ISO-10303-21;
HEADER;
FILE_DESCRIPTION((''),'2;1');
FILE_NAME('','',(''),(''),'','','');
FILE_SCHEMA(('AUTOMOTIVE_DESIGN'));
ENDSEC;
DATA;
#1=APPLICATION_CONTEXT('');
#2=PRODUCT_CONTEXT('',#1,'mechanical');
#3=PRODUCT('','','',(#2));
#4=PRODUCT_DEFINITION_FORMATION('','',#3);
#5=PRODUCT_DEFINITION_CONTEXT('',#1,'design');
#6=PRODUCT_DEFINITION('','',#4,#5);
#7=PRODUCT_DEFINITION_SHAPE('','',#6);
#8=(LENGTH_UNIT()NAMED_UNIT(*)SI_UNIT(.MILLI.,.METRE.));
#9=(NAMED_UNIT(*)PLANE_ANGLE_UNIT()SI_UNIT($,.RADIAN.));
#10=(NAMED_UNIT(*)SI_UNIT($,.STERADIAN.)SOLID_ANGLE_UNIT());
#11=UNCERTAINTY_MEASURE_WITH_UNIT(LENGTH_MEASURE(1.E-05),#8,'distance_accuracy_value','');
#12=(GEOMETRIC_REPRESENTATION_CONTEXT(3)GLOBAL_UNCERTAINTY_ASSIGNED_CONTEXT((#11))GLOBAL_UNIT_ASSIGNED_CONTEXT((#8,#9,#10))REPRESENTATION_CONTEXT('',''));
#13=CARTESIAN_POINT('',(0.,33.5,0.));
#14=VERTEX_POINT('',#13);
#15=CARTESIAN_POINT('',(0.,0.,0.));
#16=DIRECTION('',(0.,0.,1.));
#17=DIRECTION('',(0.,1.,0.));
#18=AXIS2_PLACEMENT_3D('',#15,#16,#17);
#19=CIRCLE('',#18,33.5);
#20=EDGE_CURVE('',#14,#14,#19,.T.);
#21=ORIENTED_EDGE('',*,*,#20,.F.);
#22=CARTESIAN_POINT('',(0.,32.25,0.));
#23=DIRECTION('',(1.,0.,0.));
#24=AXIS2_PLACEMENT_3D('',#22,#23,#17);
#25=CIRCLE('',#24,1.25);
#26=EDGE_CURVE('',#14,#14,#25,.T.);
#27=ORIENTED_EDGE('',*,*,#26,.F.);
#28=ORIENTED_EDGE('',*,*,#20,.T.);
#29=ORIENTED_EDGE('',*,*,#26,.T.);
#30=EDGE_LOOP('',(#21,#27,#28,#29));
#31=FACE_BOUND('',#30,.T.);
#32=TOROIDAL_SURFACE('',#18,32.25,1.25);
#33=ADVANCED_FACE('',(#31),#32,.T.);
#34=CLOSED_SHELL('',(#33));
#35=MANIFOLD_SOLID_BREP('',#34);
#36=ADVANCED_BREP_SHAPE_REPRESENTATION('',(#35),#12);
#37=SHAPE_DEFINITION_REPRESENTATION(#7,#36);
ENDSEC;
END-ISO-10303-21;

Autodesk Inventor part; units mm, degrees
ref_plane "YZ Plane" through (0, 0, 0) normal (1, 0, 0) x (0, 1, 0)
ref_plane "XZ Plane" through (0, 0, 0) normal (0, 1, 0) x (-1, 0, 0)
ref_plane "XY Plane" through (0, 0, 0) normal (0, 0, 1) x (1, 0, 0)
sketch "Эскиз1" plane through (0, 0, 0) normal (1, 0, 0) x (0, 1, 0)
  circle A0 centre (32.25, 0) radius 1.25
  line L0 (0, -1.75) -> (0, 1.75) projected
  point P0 (0, 0)
  dimension "d0" = 2.5
  dimension "d1" = 32.25
revolve "Вращение1" add sketch "Эскиз1" angle 360 about axis through (0, 0, -10) along (0, 0, 1)
properties part number "КОДЬЦО 062-066-25 гост 9833"
